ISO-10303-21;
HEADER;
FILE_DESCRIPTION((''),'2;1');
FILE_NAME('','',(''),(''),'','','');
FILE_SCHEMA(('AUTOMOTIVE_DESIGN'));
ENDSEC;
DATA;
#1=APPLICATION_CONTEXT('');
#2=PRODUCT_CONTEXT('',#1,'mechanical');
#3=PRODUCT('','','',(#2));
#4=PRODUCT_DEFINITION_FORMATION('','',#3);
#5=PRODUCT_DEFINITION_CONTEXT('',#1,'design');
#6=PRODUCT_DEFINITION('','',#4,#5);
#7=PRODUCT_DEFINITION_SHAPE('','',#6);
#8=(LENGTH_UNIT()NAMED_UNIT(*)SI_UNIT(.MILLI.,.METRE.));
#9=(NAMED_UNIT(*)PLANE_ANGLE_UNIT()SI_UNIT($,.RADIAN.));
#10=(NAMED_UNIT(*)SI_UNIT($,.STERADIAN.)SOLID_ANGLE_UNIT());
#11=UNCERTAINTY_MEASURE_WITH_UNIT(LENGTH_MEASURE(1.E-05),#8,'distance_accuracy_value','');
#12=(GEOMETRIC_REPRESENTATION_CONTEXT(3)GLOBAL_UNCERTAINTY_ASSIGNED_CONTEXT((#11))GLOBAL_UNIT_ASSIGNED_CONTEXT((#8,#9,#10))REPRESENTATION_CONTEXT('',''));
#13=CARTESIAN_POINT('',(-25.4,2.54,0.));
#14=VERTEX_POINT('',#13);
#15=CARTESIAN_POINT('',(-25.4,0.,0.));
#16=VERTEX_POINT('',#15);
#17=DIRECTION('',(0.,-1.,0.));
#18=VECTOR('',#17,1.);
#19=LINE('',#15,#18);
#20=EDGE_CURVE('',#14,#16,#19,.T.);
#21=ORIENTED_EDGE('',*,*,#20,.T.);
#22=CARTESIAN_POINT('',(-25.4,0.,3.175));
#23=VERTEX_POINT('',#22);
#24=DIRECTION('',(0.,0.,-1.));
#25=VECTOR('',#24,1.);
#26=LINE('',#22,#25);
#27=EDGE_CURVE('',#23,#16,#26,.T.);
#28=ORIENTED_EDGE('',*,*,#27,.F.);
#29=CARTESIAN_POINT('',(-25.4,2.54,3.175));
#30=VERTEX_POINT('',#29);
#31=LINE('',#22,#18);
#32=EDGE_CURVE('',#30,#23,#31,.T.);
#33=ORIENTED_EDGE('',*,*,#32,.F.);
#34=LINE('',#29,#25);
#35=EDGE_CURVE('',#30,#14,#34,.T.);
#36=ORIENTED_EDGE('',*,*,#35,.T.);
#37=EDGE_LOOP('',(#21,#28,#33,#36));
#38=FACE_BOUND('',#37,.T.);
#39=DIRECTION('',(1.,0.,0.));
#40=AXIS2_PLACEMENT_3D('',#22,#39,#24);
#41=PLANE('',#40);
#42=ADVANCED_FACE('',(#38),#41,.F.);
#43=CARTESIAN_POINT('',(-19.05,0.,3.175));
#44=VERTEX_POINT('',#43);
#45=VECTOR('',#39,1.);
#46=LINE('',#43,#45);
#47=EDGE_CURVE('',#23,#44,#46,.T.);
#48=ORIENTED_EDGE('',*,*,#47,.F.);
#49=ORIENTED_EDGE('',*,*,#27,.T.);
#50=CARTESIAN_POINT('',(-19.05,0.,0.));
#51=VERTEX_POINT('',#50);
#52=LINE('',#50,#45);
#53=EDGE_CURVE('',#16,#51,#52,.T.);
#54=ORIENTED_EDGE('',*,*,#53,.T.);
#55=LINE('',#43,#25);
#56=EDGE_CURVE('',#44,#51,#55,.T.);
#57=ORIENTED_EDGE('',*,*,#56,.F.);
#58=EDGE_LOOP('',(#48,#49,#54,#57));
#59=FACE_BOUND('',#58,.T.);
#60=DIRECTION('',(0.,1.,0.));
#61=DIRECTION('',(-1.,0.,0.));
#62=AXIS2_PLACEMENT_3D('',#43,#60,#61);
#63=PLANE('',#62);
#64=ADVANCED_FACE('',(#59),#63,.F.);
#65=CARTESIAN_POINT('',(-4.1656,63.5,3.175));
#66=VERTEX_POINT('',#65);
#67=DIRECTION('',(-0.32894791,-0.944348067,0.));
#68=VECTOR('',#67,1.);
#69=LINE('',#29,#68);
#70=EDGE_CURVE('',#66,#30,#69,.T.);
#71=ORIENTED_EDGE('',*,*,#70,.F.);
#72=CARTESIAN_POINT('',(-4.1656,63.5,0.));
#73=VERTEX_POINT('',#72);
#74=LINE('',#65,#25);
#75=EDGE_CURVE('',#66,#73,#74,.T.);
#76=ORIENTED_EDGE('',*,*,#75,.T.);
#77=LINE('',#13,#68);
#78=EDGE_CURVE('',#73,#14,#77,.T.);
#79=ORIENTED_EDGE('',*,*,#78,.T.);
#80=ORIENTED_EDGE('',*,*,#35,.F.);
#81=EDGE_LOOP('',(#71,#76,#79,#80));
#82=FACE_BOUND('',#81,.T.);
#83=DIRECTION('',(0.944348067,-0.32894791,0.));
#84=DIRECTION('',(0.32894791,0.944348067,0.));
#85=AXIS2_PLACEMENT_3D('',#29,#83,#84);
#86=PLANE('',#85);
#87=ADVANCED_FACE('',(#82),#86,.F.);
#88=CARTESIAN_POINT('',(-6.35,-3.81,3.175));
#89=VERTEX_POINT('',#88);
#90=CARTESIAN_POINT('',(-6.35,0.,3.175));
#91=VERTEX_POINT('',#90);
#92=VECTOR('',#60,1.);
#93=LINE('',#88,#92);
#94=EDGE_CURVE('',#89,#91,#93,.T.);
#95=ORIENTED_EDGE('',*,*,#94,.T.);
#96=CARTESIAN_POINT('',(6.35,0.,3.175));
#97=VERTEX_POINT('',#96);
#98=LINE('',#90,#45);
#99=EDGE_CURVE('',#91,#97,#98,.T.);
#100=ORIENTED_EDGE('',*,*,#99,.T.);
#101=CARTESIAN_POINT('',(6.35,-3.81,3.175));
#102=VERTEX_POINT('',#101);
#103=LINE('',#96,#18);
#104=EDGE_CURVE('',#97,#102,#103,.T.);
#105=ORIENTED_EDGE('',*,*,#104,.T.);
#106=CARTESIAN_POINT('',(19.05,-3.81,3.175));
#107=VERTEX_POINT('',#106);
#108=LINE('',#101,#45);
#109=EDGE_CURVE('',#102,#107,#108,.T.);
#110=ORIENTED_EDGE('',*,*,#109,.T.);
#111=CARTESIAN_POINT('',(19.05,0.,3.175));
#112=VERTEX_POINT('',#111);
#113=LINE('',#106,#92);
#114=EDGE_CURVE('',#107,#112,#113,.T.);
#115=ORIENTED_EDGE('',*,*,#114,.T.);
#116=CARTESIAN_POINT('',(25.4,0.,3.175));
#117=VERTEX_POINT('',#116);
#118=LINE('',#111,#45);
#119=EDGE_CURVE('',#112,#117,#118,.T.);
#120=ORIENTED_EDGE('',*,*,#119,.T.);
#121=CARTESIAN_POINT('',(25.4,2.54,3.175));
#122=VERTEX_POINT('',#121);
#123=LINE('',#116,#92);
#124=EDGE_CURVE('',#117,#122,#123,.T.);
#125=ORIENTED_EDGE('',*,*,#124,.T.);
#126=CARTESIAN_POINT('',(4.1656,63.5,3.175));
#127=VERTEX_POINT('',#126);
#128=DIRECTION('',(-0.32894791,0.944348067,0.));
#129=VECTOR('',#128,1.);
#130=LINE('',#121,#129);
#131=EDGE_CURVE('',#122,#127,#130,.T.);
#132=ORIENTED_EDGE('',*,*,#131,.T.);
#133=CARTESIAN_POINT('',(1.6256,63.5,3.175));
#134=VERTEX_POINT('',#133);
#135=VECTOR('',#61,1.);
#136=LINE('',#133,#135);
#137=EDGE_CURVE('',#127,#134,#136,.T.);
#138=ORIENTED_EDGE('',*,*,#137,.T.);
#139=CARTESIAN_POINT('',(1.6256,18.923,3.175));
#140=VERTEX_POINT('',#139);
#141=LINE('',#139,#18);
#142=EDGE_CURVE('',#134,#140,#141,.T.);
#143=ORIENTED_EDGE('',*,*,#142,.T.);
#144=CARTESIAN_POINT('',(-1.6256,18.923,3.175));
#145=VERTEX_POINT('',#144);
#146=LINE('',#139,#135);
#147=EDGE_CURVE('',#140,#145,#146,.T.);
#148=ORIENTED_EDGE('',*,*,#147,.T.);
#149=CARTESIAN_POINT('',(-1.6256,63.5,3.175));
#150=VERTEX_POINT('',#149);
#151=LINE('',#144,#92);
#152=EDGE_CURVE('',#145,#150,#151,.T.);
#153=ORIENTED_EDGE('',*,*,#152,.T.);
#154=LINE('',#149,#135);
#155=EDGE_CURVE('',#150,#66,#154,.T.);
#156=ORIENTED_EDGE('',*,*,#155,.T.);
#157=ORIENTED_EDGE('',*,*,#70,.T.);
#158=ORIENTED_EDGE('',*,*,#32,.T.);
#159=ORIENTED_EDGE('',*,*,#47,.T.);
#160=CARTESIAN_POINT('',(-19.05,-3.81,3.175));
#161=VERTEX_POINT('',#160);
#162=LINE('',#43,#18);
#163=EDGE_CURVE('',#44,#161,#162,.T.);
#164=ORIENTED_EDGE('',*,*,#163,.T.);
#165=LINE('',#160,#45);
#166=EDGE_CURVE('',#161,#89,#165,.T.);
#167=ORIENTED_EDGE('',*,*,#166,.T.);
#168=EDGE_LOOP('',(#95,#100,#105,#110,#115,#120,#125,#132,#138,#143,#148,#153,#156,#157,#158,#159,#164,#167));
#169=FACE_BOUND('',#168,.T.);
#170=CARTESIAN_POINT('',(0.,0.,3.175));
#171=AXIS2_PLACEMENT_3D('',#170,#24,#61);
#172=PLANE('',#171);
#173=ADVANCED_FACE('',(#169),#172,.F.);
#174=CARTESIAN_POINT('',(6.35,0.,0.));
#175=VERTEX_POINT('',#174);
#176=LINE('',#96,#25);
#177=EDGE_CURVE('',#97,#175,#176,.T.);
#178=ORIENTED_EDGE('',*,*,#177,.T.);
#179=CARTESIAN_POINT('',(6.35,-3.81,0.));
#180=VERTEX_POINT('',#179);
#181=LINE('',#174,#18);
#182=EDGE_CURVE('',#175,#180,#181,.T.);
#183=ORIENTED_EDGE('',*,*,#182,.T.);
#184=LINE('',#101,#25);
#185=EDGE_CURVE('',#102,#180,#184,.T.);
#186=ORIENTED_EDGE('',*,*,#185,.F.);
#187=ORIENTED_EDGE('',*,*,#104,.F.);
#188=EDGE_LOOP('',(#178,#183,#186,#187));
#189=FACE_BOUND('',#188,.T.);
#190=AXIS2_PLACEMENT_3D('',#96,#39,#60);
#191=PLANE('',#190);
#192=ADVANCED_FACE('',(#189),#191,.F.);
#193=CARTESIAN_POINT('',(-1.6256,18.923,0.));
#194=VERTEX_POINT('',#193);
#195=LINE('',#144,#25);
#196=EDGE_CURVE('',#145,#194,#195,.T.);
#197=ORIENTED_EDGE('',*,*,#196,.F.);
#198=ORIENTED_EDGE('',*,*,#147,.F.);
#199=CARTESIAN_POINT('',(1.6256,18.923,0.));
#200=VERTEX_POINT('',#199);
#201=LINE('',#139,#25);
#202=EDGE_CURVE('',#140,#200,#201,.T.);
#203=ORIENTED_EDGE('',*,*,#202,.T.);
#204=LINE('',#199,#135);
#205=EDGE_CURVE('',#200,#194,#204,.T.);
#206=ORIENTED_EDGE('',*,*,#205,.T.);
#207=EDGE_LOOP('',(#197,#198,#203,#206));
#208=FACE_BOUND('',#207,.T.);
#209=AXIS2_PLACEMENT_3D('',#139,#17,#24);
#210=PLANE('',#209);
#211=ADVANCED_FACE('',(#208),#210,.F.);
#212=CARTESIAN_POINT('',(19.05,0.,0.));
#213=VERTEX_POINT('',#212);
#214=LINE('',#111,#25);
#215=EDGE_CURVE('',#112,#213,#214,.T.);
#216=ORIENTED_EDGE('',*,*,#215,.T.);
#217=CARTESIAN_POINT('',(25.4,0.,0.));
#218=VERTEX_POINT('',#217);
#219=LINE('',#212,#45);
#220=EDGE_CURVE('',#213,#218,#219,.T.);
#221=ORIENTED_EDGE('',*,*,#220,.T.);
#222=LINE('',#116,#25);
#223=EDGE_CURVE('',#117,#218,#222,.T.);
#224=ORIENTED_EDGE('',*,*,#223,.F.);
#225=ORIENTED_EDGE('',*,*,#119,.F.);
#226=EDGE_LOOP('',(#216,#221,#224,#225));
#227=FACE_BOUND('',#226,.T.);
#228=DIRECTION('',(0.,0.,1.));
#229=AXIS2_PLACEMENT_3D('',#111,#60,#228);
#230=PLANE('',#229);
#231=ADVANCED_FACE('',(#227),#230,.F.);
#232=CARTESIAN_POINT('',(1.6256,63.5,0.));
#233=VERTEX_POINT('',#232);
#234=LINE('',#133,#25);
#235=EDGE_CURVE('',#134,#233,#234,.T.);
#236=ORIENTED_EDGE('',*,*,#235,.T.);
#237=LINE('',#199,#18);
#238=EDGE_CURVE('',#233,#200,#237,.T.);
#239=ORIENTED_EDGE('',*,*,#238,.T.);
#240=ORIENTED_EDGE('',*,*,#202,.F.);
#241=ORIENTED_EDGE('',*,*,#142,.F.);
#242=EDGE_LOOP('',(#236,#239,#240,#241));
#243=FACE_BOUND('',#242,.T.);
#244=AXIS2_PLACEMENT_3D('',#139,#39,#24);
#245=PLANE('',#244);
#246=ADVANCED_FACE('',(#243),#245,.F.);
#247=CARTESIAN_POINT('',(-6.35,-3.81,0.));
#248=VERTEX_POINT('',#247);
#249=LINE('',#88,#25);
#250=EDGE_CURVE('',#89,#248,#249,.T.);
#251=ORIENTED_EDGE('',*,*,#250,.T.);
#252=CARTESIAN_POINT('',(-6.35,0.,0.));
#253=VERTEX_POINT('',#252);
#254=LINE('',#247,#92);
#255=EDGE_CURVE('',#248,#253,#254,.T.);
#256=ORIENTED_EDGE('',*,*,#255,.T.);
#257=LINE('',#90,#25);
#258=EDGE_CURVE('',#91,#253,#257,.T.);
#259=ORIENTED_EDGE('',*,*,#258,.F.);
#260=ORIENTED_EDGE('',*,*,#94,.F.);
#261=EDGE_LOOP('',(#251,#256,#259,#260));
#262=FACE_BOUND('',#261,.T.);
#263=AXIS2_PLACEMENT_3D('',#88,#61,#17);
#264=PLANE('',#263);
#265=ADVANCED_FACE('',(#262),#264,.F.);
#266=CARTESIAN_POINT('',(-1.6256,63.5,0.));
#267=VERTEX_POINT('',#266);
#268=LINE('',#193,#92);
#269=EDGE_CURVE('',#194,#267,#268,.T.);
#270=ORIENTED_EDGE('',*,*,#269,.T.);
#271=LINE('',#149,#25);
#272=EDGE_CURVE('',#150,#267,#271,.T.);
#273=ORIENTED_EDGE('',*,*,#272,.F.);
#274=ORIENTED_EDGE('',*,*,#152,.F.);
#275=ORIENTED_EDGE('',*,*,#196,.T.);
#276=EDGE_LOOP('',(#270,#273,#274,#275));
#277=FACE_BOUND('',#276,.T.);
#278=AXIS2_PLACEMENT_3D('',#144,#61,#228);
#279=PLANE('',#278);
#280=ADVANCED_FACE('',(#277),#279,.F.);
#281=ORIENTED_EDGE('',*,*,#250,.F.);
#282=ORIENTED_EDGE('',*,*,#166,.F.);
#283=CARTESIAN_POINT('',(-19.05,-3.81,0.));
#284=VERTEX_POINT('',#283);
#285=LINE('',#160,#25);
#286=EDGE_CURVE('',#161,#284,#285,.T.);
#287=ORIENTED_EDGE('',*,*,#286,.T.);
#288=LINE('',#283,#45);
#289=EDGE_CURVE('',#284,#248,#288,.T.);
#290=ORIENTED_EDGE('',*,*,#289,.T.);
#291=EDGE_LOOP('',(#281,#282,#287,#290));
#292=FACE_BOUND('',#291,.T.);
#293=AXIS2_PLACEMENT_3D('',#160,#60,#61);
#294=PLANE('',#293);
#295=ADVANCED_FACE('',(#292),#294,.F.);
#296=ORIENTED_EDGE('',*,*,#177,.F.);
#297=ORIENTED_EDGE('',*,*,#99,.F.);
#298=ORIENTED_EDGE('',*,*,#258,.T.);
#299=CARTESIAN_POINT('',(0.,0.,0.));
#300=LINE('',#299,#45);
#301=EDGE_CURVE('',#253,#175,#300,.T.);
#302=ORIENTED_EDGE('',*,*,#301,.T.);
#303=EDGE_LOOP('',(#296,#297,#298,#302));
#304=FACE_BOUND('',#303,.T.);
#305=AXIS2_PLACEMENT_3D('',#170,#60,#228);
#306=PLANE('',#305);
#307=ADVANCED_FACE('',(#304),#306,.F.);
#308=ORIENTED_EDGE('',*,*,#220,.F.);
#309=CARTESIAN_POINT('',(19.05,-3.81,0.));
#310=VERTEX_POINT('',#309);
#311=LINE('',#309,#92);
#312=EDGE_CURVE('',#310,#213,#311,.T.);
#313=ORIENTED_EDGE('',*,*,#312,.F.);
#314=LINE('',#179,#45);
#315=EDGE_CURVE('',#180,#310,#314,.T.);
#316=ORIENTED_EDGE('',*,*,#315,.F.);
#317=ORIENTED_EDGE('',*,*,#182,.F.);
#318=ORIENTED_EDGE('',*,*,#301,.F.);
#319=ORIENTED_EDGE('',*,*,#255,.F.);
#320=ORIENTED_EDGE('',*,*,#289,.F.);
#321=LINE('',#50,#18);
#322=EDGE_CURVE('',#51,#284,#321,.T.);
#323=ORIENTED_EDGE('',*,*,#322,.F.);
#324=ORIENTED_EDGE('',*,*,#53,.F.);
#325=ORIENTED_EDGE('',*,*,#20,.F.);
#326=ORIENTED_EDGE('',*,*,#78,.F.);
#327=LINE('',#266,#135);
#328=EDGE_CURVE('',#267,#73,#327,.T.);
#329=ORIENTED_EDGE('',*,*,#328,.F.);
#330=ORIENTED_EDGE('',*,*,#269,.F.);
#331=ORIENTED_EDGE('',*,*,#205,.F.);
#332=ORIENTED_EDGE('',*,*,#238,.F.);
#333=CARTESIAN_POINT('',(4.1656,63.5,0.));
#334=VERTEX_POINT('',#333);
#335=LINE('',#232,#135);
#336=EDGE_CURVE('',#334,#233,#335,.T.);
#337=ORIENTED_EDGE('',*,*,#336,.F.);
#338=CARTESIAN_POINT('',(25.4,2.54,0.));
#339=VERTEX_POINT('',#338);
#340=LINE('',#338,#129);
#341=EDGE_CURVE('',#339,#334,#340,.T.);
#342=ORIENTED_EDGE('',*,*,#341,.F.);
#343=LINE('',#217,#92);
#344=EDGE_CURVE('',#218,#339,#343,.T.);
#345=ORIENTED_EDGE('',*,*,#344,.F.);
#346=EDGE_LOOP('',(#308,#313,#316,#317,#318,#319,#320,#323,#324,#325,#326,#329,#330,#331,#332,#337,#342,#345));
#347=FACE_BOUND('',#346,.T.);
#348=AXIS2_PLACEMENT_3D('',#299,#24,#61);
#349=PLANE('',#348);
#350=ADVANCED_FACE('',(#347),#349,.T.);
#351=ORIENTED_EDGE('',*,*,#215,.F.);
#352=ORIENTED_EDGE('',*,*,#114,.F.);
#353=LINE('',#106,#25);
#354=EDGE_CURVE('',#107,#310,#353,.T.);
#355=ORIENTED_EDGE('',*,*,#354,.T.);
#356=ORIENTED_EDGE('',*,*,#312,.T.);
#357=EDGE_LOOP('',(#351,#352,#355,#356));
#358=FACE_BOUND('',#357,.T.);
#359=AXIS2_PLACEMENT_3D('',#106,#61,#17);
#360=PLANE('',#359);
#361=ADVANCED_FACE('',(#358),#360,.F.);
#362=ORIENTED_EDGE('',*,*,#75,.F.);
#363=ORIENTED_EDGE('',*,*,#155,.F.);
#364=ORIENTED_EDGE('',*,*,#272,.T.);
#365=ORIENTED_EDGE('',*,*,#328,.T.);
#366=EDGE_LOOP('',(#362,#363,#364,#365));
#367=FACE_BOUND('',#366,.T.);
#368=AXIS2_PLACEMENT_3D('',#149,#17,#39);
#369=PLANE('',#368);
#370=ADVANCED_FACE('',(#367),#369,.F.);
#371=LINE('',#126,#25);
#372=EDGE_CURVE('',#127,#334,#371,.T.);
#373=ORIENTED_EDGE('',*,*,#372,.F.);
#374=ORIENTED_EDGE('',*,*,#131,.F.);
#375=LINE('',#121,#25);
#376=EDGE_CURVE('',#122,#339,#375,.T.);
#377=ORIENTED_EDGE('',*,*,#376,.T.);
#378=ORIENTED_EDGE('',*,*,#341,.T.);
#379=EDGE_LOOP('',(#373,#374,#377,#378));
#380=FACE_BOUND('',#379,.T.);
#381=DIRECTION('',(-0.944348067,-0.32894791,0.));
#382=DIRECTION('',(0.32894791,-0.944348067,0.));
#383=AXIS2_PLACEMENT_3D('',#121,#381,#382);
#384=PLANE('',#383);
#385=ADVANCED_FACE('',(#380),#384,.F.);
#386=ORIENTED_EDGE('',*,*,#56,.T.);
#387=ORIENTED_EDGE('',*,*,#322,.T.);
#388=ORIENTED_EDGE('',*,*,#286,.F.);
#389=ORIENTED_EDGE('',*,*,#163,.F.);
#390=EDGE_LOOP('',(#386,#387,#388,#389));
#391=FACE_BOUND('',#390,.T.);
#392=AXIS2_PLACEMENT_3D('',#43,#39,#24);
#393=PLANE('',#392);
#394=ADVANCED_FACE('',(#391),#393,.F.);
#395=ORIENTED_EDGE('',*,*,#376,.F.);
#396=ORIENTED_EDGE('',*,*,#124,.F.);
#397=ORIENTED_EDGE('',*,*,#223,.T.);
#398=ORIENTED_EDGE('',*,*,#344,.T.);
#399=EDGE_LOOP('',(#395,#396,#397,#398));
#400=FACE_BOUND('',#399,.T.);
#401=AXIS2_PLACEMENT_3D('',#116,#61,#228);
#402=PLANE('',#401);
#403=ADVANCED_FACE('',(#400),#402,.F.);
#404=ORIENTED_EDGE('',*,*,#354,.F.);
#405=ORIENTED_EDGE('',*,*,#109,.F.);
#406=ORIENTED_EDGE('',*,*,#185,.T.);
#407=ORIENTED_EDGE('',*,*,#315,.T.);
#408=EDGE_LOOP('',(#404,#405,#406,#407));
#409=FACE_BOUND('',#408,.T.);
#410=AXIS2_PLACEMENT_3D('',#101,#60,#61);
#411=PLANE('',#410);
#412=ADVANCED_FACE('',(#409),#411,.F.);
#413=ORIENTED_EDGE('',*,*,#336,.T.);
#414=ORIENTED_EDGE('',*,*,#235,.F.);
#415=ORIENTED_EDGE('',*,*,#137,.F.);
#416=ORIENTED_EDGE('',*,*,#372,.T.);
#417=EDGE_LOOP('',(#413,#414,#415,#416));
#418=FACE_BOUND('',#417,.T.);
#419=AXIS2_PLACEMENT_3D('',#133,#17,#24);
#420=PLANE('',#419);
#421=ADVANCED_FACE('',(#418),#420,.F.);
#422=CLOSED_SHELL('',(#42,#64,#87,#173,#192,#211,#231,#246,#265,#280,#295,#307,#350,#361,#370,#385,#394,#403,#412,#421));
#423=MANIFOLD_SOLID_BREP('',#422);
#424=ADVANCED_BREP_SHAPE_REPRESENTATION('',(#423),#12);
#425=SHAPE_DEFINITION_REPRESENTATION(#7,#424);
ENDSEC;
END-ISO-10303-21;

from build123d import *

# Parameters (mm, degrees)
BOSS_EXTRUDE1_DEPTH = 3.175


with BuildPart() as part:
    # Sketch1 → Boss-Extrude1 (new body)
    with BuildSketch(Plane.XY):
        Polygon((-1.6256, 18.923), (-1.6256, 63.5), (-4.1656, 63.5), (-25.4, 2.54), (-25.4, 0), (-19.05, 0), (-19.05, -3.81), (-6.35, -3.81), (-6.35, 0), (0, 0), (6.35, 0), (6.35, -3.81), (19.05, -3.81), (19.05, 0), (25.4, 0), (25.4, 2.54), (4.1656, 63.5), (1.6256, 63.5), (1.6256, 18.923), align=None)
    extrude(amount=BOSS_EXTRUDE1_DEPTH)


solid = part.part
